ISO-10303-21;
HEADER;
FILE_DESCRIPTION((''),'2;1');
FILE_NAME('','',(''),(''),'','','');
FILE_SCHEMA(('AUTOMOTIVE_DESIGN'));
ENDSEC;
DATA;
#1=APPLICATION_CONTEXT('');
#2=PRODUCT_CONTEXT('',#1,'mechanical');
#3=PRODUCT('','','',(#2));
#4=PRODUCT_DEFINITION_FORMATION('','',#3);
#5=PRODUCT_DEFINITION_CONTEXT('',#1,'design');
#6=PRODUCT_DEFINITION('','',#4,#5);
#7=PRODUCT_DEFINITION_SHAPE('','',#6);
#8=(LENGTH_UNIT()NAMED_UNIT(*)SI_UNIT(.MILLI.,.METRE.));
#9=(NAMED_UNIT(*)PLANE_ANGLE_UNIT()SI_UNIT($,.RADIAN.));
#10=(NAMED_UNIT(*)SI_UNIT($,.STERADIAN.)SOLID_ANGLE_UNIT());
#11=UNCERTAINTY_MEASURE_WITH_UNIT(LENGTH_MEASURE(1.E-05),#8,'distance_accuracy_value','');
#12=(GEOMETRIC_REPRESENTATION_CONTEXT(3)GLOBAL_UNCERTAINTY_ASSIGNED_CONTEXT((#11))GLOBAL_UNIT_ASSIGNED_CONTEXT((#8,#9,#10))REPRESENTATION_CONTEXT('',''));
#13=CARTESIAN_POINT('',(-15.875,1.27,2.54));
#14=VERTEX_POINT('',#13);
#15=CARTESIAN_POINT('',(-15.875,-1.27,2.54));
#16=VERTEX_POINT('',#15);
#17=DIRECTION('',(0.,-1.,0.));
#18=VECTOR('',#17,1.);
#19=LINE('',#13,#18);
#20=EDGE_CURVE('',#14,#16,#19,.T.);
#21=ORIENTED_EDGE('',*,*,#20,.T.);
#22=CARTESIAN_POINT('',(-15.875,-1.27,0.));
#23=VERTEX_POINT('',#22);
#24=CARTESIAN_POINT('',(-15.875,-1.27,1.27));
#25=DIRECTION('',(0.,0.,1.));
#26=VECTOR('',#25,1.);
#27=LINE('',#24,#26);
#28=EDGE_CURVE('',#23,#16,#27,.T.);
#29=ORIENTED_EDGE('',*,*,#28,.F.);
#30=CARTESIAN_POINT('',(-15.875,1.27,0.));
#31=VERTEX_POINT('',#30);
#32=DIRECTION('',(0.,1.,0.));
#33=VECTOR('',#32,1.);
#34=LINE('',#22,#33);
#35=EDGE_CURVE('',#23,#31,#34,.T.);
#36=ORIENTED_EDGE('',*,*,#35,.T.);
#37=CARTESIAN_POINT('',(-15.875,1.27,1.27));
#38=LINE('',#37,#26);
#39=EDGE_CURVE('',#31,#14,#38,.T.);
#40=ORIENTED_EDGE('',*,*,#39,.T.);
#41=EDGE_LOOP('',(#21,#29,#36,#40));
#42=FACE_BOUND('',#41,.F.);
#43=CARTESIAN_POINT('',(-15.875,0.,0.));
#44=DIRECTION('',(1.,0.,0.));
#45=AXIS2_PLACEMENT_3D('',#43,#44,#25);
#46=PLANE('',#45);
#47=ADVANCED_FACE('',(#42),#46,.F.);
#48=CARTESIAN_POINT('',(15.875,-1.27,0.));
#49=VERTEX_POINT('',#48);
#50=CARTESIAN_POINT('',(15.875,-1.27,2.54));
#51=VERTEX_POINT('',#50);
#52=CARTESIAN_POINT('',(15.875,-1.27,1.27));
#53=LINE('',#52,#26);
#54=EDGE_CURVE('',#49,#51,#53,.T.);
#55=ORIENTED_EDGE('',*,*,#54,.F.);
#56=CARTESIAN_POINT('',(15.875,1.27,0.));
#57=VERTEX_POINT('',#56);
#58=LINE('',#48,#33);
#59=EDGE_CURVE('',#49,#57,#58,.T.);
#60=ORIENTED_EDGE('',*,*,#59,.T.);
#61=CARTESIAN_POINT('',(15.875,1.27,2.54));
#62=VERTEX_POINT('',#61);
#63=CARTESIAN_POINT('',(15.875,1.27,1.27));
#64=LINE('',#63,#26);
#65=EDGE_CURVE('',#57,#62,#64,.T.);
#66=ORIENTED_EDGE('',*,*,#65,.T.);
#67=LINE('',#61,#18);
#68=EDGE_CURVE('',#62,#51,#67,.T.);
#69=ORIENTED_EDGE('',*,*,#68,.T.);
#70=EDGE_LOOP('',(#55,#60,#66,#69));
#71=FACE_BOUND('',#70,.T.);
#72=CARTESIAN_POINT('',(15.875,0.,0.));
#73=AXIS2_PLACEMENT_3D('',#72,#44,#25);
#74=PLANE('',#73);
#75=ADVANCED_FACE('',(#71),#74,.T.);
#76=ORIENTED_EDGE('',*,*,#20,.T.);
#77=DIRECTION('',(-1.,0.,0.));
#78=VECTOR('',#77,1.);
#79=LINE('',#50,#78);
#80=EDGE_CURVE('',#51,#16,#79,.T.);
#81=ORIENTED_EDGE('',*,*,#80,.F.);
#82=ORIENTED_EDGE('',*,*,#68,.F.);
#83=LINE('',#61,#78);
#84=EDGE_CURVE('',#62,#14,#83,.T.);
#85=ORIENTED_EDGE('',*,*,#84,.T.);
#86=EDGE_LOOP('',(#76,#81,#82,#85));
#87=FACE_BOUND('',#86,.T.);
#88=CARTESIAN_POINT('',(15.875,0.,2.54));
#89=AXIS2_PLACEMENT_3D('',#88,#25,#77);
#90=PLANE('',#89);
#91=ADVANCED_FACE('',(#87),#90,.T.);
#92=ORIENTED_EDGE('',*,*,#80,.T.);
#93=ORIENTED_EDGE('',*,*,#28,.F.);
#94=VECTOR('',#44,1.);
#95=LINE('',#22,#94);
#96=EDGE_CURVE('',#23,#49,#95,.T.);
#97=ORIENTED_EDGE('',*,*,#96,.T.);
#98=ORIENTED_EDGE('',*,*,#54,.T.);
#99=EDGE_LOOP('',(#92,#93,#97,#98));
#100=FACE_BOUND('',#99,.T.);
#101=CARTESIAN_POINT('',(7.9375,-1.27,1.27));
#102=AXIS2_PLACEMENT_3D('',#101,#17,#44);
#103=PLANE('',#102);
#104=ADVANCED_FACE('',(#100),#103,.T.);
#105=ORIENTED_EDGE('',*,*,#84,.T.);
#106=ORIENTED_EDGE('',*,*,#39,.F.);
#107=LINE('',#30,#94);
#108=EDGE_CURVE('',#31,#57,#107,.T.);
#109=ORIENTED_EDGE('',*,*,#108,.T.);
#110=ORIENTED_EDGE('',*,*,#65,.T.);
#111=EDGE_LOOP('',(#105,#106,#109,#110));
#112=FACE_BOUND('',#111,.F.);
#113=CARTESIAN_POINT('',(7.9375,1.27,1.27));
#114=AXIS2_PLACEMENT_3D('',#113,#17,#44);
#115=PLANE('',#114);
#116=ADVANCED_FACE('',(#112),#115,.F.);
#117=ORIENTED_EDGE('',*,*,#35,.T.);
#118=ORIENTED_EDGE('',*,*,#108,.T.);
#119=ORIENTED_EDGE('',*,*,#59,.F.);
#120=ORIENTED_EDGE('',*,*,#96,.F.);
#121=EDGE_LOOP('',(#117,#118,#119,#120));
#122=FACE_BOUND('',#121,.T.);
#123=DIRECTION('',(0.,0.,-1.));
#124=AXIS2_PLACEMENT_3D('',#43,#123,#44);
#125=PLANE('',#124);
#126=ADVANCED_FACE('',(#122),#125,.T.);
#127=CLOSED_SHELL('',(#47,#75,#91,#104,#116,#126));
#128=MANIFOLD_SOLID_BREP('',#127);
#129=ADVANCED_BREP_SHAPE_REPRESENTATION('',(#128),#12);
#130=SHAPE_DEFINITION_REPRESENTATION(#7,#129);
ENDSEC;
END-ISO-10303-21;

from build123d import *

# Parameters (mm, degrees)
F0_W     = 15.875
F0_H     = 2.54
F1_DEPTH = 1.27


with BuildPart() as f1:
    # F0 (on Front) → F1 (new body, symmetric)
    with BuildSketch(Plane.XZ):
        with Locations((7.9375, 1.27)):
            Rectangle(F0_W, F0_H)
        with Locations((-7.9375, 1.27)):
            Rectangle(F0_W, F0_H)
    extrude(amount=F1_DEPTH, both=True)


solid = f1.part
